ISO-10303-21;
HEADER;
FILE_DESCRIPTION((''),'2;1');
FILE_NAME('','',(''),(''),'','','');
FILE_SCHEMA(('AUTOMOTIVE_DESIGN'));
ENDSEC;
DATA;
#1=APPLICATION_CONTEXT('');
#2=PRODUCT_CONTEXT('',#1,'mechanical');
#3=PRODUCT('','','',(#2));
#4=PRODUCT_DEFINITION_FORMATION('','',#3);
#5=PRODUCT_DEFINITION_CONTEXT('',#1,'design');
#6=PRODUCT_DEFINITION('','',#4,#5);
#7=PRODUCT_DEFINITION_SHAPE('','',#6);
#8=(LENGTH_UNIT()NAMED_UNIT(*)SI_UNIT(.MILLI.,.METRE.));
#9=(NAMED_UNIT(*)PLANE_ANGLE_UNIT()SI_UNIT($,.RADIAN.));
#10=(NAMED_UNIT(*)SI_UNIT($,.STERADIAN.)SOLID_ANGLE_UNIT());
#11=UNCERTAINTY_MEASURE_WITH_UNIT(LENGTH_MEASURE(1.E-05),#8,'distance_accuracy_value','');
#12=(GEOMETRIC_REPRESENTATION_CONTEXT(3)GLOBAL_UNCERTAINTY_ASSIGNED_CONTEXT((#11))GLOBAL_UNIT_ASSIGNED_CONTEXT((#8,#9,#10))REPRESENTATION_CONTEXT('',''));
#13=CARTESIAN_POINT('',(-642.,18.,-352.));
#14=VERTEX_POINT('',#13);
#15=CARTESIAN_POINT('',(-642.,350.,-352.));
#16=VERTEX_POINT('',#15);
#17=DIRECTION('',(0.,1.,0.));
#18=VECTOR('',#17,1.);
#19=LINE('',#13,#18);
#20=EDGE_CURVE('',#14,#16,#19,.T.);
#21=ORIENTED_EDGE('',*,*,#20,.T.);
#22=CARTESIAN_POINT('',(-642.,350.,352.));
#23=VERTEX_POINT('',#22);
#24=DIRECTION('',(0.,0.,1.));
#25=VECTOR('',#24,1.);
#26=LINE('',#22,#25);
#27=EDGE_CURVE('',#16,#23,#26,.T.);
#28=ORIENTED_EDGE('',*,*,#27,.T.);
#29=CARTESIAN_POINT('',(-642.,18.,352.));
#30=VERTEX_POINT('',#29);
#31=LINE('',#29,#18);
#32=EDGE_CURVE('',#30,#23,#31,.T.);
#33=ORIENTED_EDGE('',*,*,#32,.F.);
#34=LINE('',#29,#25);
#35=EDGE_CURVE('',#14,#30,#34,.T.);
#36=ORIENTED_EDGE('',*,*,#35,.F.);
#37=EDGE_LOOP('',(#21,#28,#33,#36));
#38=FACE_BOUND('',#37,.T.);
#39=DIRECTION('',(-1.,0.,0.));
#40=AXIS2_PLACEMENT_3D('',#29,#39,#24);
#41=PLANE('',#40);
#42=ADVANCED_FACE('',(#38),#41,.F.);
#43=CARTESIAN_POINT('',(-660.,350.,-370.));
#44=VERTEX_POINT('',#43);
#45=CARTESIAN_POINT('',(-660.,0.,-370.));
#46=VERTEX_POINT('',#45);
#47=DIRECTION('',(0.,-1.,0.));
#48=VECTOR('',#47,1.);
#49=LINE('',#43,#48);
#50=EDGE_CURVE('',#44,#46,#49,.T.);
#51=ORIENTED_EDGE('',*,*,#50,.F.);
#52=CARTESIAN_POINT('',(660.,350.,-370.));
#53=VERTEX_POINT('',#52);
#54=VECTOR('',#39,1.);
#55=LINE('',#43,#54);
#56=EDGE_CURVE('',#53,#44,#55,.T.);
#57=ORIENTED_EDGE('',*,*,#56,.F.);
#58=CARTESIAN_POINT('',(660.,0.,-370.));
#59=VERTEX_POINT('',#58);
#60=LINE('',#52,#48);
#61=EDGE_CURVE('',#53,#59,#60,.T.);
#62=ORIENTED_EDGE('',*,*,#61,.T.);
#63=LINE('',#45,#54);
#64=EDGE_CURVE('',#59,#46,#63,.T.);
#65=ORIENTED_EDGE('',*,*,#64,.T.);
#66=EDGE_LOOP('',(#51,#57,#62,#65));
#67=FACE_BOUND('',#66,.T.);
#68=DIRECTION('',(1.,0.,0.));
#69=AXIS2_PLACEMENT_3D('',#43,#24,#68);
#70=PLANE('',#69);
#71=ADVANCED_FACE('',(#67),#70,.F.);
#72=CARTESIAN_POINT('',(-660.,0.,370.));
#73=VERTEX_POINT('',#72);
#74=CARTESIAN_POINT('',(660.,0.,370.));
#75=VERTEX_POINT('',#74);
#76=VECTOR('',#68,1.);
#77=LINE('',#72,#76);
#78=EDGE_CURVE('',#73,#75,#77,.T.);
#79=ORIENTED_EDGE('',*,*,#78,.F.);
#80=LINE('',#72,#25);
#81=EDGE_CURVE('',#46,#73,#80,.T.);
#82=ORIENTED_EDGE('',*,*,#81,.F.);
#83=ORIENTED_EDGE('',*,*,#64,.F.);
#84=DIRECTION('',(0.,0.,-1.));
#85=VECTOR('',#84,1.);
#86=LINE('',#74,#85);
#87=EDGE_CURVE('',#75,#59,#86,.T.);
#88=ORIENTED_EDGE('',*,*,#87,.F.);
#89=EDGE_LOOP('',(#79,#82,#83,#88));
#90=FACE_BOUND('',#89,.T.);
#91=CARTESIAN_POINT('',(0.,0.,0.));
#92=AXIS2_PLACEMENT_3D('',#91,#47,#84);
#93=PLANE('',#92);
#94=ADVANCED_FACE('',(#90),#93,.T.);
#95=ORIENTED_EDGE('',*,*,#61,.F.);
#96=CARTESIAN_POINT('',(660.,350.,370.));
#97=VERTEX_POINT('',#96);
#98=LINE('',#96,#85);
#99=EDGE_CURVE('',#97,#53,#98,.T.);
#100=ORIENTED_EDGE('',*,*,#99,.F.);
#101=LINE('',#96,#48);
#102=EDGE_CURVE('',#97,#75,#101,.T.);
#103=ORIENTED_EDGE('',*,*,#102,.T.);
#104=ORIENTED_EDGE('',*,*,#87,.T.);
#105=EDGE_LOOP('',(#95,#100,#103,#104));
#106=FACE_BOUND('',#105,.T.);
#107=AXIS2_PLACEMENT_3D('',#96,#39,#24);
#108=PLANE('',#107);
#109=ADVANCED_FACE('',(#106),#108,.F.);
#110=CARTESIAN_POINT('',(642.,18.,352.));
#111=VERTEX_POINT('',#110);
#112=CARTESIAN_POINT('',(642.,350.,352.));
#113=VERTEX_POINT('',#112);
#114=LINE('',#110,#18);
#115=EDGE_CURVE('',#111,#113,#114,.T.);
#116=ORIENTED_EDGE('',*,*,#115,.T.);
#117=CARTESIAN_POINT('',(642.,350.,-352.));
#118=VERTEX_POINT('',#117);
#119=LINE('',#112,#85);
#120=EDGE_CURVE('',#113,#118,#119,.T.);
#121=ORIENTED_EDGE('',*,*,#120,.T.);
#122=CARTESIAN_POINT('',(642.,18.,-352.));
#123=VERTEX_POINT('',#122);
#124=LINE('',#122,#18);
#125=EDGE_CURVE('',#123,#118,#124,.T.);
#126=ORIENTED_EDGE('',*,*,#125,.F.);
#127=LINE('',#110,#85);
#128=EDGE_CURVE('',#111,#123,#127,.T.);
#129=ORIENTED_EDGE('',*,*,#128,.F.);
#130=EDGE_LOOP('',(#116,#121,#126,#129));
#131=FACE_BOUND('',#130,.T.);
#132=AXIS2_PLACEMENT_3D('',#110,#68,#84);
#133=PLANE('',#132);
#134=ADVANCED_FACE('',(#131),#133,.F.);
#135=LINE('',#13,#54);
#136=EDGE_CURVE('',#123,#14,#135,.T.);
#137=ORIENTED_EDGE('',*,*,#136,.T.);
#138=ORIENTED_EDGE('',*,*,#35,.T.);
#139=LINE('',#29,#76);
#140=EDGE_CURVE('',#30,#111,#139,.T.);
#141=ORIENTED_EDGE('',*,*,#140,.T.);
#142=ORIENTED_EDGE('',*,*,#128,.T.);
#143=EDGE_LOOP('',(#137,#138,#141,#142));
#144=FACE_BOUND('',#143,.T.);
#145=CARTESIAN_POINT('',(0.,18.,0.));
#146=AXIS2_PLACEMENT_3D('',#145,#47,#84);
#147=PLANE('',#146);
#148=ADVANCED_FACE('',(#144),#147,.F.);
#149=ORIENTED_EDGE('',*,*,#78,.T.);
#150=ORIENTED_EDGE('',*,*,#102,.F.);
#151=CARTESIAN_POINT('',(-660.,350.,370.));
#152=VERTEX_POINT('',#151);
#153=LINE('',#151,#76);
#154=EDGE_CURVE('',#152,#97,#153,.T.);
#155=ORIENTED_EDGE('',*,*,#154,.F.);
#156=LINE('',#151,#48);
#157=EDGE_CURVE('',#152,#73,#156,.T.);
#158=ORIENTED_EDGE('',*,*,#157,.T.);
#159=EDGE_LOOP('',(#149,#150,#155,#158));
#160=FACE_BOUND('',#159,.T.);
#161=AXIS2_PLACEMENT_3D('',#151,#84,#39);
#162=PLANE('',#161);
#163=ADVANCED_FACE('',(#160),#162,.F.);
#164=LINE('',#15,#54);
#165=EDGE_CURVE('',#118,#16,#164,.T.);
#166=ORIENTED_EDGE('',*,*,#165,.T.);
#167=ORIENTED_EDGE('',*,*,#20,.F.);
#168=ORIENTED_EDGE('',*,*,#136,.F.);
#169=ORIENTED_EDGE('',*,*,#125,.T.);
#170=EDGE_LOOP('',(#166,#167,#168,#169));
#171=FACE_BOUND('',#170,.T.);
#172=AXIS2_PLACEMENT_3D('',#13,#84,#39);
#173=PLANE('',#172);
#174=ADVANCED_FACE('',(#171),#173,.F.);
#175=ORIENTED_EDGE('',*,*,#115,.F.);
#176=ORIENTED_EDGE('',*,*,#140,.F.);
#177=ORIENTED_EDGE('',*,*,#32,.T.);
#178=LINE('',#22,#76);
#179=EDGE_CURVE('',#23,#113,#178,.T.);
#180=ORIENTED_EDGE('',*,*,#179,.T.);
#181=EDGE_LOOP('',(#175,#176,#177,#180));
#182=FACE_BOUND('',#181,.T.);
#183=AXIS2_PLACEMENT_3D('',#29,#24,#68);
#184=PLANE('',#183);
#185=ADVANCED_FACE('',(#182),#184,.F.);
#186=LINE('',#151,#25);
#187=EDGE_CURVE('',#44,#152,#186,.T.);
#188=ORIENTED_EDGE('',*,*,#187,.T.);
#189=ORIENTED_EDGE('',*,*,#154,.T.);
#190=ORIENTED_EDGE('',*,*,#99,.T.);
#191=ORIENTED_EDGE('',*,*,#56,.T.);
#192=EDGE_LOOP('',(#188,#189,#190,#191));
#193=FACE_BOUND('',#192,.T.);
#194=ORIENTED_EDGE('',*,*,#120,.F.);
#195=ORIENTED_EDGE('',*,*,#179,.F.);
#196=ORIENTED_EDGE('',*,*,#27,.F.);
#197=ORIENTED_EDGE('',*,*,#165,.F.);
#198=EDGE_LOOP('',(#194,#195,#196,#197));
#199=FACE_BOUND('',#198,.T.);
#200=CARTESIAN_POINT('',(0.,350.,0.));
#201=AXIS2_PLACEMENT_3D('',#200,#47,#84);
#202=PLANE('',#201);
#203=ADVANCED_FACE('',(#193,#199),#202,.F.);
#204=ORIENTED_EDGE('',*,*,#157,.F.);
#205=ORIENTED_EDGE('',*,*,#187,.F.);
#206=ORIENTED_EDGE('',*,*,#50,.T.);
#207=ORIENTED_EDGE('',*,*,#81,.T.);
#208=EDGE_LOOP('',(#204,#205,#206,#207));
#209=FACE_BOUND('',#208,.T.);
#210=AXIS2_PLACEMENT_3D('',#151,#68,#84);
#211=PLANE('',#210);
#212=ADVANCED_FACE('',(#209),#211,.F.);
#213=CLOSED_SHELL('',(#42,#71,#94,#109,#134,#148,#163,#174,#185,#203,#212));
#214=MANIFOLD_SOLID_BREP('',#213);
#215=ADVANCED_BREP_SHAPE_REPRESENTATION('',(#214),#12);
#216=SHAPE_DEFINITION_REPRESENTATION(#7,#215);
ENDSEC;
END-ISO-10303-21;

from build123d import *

# Parameters (mm, degrees)
CROQUIS1_W              = 1320
CROQUIS1_H              = 740
SALIENTE_EXTRUIR1_DEPTH = 350
CROQUIS2_W              = 1284
CROQUIS2_H              = 704
CORTAR_EXTRUIR1_DEPTH   = 332


with BuildPart() as part:
    # Croquis1 → Saliente-Extruir1 (new body)
    with BuildSketch(Plane(origin=(0, 0, 0), x_dir=(1, 0, 0), z_dir=(0, 1, 0))):
        Rectangle(CROQUIS1_W, CROQUIS1_H)
    extrude(amount=SALIENTE_EXTRUIR1_DEPTH)

    # Croquis2 → Cortar-Extruir1 (cut)
    with BuildSketch(Plane(origin=(0, 350, 0), x_dir=(1, 0, 0), z_dir=(0, 1, 0))):
        Rectangle(CROQUIS2_W, CROQUIS2_H)
    extrude(amount=-CORTAR_EXTRUIR1_DEPTH, mode=Mode.SUBTRACT)


solid = part.part
